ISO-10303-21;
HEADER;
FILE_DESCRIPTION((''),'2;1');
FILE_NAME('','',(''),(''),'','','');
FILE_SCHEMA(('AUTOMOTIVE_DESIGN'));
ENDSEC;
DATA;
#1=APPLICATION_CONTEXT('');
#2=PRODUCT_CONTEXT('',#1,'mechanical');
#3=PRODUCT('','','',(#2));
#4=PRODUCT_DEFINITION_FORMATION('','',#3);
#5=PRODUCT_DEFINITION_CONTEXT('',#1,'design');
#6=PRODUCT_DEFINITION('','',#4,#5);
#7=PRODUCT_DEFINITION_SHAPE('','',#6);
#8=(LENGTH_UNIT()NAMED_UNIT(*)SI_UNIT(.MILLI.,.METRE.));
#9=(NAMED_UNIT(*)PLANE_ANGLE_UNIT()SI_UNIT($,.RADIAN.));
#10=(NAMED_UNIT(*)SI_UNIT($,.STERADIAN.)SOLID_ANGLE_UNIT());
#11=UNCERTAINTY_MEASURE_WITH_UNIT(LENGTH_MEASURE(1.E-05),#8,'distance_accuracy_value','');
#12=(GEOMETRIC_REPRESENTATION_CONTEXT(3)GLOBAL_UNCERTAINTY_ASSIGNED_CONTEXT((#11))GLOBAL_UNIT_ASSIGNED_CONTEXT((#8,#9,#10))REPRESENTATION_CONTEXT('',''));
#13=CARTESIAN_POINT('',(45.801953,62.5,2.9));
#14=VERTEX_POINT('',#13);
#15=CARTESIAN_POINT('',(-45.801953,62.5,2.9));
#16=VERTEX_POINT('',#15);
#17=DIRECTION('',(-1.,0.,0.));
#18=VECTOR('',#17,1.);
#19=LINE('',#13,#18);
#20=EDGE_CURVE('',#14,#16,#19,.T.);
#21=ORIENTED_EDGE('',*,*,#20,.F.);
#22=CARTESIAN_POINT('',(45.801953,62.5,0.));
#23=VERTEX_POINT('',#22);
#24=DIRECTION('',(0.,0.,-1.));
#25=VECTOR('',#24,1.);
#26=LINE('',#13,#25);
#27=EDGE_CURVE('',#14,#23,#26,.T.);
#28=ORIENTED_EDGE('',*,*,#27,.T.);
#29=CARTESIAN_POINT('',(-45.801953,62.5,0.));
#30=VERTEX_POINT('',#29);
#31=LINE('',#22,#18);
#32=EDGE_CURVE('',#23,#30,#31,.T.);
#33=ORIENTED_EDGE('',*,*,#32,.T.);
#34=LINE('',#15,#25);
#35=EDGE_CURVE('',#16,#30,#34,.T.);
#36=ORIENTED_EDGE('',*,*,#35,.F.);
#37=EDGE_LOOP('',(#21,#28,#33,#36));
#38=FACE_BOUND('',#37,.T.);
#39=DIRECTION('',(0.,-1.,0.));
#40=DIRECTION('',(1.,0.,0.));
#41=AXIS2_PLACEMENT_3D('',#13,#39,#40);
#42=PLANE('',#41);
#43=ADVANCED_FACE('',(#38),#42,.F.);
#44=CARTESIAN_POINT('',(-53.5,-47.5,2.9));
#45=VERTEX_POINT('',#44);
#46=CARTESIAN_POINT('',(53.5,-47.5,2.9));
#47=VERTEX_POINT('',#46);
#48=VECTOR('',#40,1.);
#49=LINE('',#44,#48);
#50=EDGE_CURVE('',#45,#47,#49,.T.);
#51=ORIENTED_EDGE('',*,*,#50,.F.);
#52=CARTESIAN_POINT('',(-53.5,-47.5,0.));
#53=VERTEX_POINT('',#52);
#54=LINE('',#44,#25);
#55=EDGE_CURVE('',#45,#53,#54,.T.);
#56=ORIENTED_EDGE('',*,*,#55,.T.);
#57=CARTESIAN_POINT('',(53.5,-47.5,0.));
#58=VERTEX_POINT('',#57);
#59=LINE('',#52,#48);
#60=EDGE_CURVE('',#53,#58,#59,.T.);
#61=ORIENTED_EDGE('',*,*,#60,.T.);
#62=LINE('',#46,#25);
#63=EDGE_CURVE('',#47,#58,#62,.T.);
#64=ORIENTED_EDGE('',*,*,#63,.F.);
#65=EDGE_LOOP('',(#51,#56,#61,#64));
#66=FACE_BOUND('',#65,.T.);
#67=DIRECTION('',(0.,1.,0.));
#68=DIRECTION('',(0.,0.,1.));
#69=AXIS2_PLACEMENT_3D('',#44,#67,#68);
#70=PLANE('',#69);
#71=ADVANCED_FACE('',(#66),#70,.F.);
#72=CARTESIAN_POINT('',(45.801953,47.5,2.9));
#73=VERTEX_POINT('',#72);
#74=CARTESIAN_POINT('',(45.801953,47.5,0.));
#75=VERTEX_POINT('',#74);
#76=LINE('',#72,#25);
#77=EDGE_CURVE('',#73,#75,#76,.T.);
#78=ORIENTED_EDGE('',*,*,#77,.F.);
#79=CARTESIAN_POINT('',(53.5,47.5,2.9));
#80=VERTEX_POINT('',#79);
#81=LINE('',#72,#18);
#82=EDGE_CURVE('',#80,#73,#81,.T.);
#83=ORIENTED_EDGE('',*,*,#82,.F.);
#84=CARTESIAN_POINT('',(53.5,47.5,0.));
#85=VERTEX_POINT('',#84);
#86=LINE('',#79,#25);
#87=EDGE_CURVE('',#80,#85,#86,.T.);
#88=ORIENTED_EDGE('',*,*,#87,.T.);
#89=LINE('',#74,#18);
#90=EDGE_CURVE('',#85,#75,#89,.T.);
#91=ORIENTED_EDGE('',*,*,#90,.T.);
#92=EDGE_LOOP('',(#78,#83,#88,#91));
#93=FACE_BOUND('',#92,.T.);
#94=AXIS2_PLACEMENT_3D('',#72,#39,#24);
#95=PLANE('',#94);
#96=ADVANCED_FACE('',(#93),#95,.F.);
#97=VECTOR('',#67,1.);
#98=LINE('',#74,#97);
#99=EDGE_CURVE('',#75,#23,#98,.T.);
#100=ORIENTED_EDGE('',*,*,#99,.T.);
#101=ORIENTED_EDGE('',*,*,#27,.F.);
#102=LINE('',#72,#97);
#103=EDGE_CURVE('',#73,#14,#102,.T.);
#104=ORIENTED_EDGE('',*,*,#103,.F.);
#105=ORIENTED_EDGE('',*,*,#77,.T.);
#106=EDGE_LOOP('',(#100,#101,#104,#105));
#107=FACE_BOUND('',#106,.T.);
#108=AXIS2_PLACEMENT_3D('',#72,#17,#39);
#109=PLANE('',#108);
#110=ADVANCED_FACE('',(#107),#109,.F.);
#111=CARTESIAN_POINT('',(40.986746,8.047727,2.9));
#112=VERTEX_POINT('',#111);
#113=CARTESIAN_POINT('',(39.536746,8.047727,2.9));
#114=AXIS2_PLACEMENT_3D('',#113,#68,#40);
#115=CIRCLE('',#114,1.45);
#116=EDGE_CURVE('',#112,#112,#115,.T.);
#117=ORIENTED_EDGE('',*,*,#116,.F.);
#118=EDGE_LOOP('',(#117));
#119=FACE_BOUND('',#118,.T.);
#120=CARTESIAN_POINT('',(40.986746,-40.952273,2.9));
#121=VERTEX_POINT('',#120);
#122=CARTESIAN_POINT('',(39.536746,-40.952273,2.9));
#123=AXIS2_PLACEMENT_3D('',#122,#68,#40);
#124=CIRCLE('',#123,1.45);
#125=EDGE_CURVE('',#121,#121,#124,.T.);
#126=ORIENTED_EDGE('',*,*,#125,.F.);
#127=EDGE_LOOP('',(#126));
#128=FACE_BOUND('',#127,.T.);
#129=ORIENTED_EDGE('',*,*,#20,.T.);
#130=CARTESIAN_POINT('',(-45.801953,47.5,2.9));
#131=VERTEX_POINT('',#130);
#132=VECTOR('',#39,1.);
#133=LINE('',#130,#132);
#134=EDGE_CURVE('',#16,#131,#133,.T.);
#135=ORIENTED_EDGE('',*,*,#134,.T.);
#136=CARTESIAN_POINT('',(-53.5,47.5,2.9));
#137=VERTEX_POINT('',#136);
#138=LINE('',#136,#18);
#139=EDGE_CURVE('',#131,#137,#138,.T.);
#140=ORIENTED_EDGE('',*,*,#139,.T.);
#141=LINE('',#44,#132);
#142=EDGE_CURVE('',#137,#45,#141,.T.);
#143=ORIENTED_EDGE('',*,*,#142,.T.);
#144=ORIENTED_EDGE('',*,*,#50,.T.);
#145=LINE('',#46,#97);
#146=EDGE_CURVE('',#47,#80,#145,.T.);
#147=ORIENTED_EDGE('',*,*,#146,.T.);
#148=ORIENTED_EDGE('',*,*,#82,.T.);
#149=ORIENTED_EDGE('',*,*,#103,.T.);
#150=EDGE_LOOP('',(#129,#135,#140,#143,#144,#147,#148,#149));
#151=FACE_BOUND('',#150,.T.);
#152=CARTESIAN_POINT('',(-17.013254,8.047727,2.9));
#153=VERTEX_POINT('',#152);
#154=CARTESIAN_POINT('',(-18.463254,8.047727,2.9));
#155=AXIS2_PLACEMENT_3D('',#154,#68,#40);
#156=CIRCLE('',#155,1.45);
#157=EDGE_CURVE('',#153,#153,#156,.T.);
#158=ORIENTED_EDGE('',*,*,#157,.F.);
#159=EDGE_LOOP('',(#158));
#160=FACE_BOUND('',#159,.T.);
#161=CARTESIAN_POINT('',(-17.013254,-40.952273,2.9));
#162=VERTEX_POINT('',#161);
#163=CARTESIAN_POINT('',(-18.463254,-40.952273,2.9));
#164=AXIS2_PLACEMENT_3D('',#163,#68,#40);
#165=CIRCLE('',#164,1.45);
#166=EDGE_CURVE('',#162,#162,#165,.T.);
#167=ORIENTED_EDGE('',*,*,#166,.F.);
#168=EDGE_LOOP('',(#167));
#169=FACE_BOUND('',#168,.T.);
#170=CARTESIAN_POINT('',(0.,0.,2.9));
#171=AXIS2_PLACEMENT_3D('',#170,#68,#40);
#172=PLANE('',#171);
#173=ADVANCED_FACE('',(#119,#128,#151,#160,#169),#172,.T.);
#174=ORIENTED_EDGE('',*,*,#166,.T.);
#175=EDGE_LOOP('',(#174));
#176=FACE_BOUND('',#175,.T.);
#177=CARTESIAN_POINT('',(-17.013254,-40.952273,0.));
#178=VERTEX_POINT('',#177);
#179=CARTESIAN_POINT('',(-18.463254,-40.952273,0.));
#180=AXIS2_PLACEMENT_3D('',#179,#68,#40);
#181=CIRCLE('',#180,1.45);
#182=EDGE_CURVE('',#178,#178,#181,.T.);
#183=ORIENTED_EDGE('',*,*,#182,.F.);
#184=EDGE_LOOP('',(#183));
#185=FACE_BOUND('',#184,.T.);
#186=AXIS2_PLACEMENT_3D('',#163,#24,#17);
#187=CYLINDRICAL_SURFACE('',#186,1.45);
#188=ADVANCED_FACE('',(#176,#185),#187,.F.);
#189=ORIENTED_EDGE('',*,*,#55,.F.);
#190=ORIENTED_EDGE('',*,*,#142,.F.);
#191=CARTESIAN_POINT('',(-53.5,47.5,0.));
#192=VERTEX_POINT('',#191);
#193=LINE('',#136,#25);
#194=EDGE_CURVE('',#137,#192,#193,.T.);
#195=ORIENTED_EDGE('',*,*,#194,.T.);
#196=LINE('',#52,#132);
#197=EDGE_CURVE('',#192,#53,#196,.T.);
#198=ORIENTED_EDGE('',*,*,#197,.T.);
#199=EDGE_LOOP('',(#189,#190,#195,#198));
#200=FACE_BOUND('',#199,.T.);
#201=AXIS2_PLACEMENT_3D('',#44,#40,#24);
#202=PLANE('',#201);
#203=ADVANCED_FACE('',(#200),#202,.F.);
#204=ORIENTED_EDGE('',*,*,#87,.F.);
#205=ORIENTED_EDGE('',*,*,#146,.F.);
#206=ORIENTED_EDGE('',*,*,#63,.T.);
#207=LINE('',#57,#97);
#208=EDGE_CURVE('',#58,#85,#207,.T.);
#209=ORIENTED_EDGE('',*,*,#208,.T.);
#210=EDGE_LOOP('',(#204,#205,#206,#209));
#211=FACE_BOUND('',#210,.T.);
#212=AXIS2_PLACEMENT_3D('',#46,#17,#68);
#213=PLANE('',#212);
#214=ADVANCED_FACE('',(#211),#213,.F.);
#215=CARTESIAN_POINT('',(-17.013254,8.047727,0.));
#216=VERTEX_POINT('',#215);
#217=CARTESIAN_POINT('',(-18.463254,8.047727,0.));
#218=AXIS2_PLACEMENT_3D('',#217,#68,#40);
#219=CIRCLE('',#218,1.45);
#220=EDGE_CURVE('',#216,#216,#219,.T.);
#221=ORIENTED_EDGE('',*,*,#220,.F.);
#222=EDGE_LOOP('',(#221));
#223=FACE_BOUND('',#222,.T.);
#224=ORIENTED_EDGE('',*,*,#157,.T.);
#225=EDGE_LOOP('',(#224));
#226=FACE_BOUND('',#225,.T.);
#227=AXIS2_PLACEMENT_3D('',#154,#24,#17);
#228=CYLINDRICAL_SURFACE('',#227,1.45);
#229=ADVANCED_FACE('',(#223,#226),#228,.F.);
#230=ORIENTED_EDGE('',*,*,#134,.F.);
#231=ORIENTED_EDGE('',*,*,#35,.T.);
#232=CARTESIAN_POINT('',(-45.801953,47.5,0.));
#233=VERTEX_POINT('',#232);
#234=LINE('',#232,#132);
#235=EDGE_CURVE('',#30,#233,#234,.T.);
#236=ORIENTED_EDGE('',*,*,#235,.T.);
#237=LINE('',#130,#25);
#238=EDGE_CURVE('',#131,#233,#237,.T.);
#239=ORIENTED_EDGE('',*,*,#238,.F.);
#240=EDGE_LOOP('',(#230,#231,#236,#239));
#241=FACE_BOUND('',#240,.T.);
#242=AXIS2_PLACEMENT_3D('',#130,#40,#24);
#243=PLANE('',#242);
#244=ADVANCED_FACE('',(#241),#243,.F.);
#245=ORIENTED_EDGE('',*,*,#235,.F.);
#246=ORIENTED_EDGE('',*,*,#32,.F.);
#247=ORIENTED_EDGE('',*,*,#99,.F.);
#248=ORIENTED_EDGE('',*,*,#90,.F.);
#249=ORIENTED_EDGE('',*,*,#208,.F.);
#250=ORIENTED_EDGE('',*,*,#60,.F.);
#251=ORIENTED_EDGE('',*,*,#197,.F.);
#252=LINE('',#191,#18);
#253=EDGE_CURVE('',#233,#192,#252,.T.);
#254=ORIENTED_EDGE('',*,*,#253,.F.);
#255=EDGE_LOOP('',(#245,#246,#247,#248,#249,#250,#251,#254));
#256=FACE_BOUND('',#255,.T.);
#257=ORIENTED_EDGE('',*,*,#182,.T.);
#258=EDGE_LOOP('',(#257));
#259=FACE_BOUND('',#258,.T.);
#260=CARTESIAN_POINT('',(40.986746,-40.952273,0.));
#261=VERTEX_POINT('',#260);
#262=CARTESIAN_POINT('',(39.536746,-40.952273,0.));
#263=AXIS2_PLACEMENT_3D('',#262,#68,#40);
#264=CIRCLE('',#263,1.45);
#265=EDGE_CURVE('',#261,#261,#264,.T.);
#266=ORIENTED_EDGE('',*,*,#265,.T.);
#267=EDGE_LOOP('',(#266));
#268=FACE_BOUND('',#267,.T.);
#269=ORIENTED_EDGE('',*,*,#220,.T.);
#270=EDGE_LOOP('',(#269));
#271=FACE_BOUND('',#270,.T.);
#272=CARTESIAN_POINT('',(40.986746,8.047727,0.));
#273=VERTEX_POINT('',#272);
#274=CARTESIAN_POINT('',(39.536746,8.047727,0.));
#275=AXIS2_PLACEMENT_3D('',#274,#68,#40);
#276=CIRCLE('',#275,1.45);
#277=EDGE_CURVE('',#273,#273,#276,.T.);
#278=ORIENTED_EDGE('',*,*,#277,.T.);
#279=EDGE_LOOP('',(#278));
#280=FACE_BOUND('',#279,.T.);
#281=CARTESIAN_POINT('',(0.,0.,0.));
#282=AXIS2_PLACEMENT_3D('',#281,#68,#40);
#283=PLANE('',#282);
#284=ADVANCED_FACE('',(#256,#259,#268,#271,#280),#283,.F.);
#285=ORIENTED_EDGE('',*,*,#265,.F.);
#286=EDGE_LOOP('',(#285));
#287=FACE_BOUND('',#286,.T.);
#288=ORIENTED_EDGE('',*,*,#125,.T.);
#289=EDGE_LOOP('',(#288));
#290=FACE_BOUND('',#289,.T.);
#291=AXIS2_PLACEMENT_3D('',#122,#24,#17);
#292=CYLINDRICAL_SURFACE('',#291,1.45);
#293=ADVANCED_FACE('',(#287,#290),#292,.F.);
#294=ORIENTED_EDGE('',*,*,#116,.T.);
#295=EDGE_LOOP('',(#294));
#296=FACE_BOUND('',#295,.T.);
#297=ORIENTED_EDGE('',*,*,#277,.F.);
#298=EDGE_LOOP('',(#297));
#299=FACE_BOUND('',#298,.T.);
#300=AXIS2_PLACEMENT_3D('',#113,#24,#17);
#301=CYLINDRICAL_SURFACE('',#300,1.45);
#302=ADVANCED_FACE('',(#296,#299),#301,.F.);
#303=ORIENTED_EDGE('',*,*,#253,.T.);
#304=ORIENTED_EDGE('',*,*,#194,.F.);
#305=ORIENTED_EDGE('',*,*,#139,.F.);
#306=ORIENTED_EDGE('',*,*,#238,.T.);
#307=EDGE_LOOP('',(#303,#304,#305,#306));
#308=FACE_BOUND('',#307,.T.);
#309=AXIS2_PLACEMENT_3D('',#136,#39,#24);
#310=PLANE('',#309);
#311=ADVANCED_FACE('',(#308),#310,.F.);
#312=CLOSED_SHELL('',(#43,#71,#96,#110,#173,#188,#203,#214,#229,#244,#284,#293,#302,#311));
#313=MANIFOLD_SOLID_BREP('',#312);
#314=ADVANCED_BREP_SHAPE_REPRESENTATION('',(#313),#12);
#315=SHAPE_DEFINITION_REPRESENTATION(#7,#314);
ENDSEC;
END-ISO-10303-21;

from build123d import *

# Parameters (mm, degrees)
SKETCH1_R           = 1.45
BOSS_EXTRUDE2_DEPTH = 2.9


with BuildPart() as part:
    # Sketch1 → Boss-Extrude2 (new body)
    with BuildSketch(Plane.XY):
        Polygon((-53.5, -47.5), (53.5, -47.5), (53.5, 47.5), (45.801952589, 47.5), (45.801952589, 62.5), (-45.801952589, 62.5), (-45.801952589, 47.5), (-53.5, 47.5), align=None)
        with Locations((39.536746358, -40.952272815)):
            Circle(SKETCH1_R, mode=Mode.SUBTRACT)
        with Locations((39.536746358, 8.047727185)):
            Circle(SKETCH1_R, mode=Mode.SUBTRACT)
        with Locations((-18.463253642, -40.952272815)):
            Circle(SKETCH1_R, mode=Mode.SUBTRACT)
        with Locations((-18.463253642, 8.047727185)):
            Circle(SKETCH1_R, mode=Mode.SUBTRACT)
    extrude(amount=BOSS_EXTRUDE2_DEPTH)


solid = part.part
